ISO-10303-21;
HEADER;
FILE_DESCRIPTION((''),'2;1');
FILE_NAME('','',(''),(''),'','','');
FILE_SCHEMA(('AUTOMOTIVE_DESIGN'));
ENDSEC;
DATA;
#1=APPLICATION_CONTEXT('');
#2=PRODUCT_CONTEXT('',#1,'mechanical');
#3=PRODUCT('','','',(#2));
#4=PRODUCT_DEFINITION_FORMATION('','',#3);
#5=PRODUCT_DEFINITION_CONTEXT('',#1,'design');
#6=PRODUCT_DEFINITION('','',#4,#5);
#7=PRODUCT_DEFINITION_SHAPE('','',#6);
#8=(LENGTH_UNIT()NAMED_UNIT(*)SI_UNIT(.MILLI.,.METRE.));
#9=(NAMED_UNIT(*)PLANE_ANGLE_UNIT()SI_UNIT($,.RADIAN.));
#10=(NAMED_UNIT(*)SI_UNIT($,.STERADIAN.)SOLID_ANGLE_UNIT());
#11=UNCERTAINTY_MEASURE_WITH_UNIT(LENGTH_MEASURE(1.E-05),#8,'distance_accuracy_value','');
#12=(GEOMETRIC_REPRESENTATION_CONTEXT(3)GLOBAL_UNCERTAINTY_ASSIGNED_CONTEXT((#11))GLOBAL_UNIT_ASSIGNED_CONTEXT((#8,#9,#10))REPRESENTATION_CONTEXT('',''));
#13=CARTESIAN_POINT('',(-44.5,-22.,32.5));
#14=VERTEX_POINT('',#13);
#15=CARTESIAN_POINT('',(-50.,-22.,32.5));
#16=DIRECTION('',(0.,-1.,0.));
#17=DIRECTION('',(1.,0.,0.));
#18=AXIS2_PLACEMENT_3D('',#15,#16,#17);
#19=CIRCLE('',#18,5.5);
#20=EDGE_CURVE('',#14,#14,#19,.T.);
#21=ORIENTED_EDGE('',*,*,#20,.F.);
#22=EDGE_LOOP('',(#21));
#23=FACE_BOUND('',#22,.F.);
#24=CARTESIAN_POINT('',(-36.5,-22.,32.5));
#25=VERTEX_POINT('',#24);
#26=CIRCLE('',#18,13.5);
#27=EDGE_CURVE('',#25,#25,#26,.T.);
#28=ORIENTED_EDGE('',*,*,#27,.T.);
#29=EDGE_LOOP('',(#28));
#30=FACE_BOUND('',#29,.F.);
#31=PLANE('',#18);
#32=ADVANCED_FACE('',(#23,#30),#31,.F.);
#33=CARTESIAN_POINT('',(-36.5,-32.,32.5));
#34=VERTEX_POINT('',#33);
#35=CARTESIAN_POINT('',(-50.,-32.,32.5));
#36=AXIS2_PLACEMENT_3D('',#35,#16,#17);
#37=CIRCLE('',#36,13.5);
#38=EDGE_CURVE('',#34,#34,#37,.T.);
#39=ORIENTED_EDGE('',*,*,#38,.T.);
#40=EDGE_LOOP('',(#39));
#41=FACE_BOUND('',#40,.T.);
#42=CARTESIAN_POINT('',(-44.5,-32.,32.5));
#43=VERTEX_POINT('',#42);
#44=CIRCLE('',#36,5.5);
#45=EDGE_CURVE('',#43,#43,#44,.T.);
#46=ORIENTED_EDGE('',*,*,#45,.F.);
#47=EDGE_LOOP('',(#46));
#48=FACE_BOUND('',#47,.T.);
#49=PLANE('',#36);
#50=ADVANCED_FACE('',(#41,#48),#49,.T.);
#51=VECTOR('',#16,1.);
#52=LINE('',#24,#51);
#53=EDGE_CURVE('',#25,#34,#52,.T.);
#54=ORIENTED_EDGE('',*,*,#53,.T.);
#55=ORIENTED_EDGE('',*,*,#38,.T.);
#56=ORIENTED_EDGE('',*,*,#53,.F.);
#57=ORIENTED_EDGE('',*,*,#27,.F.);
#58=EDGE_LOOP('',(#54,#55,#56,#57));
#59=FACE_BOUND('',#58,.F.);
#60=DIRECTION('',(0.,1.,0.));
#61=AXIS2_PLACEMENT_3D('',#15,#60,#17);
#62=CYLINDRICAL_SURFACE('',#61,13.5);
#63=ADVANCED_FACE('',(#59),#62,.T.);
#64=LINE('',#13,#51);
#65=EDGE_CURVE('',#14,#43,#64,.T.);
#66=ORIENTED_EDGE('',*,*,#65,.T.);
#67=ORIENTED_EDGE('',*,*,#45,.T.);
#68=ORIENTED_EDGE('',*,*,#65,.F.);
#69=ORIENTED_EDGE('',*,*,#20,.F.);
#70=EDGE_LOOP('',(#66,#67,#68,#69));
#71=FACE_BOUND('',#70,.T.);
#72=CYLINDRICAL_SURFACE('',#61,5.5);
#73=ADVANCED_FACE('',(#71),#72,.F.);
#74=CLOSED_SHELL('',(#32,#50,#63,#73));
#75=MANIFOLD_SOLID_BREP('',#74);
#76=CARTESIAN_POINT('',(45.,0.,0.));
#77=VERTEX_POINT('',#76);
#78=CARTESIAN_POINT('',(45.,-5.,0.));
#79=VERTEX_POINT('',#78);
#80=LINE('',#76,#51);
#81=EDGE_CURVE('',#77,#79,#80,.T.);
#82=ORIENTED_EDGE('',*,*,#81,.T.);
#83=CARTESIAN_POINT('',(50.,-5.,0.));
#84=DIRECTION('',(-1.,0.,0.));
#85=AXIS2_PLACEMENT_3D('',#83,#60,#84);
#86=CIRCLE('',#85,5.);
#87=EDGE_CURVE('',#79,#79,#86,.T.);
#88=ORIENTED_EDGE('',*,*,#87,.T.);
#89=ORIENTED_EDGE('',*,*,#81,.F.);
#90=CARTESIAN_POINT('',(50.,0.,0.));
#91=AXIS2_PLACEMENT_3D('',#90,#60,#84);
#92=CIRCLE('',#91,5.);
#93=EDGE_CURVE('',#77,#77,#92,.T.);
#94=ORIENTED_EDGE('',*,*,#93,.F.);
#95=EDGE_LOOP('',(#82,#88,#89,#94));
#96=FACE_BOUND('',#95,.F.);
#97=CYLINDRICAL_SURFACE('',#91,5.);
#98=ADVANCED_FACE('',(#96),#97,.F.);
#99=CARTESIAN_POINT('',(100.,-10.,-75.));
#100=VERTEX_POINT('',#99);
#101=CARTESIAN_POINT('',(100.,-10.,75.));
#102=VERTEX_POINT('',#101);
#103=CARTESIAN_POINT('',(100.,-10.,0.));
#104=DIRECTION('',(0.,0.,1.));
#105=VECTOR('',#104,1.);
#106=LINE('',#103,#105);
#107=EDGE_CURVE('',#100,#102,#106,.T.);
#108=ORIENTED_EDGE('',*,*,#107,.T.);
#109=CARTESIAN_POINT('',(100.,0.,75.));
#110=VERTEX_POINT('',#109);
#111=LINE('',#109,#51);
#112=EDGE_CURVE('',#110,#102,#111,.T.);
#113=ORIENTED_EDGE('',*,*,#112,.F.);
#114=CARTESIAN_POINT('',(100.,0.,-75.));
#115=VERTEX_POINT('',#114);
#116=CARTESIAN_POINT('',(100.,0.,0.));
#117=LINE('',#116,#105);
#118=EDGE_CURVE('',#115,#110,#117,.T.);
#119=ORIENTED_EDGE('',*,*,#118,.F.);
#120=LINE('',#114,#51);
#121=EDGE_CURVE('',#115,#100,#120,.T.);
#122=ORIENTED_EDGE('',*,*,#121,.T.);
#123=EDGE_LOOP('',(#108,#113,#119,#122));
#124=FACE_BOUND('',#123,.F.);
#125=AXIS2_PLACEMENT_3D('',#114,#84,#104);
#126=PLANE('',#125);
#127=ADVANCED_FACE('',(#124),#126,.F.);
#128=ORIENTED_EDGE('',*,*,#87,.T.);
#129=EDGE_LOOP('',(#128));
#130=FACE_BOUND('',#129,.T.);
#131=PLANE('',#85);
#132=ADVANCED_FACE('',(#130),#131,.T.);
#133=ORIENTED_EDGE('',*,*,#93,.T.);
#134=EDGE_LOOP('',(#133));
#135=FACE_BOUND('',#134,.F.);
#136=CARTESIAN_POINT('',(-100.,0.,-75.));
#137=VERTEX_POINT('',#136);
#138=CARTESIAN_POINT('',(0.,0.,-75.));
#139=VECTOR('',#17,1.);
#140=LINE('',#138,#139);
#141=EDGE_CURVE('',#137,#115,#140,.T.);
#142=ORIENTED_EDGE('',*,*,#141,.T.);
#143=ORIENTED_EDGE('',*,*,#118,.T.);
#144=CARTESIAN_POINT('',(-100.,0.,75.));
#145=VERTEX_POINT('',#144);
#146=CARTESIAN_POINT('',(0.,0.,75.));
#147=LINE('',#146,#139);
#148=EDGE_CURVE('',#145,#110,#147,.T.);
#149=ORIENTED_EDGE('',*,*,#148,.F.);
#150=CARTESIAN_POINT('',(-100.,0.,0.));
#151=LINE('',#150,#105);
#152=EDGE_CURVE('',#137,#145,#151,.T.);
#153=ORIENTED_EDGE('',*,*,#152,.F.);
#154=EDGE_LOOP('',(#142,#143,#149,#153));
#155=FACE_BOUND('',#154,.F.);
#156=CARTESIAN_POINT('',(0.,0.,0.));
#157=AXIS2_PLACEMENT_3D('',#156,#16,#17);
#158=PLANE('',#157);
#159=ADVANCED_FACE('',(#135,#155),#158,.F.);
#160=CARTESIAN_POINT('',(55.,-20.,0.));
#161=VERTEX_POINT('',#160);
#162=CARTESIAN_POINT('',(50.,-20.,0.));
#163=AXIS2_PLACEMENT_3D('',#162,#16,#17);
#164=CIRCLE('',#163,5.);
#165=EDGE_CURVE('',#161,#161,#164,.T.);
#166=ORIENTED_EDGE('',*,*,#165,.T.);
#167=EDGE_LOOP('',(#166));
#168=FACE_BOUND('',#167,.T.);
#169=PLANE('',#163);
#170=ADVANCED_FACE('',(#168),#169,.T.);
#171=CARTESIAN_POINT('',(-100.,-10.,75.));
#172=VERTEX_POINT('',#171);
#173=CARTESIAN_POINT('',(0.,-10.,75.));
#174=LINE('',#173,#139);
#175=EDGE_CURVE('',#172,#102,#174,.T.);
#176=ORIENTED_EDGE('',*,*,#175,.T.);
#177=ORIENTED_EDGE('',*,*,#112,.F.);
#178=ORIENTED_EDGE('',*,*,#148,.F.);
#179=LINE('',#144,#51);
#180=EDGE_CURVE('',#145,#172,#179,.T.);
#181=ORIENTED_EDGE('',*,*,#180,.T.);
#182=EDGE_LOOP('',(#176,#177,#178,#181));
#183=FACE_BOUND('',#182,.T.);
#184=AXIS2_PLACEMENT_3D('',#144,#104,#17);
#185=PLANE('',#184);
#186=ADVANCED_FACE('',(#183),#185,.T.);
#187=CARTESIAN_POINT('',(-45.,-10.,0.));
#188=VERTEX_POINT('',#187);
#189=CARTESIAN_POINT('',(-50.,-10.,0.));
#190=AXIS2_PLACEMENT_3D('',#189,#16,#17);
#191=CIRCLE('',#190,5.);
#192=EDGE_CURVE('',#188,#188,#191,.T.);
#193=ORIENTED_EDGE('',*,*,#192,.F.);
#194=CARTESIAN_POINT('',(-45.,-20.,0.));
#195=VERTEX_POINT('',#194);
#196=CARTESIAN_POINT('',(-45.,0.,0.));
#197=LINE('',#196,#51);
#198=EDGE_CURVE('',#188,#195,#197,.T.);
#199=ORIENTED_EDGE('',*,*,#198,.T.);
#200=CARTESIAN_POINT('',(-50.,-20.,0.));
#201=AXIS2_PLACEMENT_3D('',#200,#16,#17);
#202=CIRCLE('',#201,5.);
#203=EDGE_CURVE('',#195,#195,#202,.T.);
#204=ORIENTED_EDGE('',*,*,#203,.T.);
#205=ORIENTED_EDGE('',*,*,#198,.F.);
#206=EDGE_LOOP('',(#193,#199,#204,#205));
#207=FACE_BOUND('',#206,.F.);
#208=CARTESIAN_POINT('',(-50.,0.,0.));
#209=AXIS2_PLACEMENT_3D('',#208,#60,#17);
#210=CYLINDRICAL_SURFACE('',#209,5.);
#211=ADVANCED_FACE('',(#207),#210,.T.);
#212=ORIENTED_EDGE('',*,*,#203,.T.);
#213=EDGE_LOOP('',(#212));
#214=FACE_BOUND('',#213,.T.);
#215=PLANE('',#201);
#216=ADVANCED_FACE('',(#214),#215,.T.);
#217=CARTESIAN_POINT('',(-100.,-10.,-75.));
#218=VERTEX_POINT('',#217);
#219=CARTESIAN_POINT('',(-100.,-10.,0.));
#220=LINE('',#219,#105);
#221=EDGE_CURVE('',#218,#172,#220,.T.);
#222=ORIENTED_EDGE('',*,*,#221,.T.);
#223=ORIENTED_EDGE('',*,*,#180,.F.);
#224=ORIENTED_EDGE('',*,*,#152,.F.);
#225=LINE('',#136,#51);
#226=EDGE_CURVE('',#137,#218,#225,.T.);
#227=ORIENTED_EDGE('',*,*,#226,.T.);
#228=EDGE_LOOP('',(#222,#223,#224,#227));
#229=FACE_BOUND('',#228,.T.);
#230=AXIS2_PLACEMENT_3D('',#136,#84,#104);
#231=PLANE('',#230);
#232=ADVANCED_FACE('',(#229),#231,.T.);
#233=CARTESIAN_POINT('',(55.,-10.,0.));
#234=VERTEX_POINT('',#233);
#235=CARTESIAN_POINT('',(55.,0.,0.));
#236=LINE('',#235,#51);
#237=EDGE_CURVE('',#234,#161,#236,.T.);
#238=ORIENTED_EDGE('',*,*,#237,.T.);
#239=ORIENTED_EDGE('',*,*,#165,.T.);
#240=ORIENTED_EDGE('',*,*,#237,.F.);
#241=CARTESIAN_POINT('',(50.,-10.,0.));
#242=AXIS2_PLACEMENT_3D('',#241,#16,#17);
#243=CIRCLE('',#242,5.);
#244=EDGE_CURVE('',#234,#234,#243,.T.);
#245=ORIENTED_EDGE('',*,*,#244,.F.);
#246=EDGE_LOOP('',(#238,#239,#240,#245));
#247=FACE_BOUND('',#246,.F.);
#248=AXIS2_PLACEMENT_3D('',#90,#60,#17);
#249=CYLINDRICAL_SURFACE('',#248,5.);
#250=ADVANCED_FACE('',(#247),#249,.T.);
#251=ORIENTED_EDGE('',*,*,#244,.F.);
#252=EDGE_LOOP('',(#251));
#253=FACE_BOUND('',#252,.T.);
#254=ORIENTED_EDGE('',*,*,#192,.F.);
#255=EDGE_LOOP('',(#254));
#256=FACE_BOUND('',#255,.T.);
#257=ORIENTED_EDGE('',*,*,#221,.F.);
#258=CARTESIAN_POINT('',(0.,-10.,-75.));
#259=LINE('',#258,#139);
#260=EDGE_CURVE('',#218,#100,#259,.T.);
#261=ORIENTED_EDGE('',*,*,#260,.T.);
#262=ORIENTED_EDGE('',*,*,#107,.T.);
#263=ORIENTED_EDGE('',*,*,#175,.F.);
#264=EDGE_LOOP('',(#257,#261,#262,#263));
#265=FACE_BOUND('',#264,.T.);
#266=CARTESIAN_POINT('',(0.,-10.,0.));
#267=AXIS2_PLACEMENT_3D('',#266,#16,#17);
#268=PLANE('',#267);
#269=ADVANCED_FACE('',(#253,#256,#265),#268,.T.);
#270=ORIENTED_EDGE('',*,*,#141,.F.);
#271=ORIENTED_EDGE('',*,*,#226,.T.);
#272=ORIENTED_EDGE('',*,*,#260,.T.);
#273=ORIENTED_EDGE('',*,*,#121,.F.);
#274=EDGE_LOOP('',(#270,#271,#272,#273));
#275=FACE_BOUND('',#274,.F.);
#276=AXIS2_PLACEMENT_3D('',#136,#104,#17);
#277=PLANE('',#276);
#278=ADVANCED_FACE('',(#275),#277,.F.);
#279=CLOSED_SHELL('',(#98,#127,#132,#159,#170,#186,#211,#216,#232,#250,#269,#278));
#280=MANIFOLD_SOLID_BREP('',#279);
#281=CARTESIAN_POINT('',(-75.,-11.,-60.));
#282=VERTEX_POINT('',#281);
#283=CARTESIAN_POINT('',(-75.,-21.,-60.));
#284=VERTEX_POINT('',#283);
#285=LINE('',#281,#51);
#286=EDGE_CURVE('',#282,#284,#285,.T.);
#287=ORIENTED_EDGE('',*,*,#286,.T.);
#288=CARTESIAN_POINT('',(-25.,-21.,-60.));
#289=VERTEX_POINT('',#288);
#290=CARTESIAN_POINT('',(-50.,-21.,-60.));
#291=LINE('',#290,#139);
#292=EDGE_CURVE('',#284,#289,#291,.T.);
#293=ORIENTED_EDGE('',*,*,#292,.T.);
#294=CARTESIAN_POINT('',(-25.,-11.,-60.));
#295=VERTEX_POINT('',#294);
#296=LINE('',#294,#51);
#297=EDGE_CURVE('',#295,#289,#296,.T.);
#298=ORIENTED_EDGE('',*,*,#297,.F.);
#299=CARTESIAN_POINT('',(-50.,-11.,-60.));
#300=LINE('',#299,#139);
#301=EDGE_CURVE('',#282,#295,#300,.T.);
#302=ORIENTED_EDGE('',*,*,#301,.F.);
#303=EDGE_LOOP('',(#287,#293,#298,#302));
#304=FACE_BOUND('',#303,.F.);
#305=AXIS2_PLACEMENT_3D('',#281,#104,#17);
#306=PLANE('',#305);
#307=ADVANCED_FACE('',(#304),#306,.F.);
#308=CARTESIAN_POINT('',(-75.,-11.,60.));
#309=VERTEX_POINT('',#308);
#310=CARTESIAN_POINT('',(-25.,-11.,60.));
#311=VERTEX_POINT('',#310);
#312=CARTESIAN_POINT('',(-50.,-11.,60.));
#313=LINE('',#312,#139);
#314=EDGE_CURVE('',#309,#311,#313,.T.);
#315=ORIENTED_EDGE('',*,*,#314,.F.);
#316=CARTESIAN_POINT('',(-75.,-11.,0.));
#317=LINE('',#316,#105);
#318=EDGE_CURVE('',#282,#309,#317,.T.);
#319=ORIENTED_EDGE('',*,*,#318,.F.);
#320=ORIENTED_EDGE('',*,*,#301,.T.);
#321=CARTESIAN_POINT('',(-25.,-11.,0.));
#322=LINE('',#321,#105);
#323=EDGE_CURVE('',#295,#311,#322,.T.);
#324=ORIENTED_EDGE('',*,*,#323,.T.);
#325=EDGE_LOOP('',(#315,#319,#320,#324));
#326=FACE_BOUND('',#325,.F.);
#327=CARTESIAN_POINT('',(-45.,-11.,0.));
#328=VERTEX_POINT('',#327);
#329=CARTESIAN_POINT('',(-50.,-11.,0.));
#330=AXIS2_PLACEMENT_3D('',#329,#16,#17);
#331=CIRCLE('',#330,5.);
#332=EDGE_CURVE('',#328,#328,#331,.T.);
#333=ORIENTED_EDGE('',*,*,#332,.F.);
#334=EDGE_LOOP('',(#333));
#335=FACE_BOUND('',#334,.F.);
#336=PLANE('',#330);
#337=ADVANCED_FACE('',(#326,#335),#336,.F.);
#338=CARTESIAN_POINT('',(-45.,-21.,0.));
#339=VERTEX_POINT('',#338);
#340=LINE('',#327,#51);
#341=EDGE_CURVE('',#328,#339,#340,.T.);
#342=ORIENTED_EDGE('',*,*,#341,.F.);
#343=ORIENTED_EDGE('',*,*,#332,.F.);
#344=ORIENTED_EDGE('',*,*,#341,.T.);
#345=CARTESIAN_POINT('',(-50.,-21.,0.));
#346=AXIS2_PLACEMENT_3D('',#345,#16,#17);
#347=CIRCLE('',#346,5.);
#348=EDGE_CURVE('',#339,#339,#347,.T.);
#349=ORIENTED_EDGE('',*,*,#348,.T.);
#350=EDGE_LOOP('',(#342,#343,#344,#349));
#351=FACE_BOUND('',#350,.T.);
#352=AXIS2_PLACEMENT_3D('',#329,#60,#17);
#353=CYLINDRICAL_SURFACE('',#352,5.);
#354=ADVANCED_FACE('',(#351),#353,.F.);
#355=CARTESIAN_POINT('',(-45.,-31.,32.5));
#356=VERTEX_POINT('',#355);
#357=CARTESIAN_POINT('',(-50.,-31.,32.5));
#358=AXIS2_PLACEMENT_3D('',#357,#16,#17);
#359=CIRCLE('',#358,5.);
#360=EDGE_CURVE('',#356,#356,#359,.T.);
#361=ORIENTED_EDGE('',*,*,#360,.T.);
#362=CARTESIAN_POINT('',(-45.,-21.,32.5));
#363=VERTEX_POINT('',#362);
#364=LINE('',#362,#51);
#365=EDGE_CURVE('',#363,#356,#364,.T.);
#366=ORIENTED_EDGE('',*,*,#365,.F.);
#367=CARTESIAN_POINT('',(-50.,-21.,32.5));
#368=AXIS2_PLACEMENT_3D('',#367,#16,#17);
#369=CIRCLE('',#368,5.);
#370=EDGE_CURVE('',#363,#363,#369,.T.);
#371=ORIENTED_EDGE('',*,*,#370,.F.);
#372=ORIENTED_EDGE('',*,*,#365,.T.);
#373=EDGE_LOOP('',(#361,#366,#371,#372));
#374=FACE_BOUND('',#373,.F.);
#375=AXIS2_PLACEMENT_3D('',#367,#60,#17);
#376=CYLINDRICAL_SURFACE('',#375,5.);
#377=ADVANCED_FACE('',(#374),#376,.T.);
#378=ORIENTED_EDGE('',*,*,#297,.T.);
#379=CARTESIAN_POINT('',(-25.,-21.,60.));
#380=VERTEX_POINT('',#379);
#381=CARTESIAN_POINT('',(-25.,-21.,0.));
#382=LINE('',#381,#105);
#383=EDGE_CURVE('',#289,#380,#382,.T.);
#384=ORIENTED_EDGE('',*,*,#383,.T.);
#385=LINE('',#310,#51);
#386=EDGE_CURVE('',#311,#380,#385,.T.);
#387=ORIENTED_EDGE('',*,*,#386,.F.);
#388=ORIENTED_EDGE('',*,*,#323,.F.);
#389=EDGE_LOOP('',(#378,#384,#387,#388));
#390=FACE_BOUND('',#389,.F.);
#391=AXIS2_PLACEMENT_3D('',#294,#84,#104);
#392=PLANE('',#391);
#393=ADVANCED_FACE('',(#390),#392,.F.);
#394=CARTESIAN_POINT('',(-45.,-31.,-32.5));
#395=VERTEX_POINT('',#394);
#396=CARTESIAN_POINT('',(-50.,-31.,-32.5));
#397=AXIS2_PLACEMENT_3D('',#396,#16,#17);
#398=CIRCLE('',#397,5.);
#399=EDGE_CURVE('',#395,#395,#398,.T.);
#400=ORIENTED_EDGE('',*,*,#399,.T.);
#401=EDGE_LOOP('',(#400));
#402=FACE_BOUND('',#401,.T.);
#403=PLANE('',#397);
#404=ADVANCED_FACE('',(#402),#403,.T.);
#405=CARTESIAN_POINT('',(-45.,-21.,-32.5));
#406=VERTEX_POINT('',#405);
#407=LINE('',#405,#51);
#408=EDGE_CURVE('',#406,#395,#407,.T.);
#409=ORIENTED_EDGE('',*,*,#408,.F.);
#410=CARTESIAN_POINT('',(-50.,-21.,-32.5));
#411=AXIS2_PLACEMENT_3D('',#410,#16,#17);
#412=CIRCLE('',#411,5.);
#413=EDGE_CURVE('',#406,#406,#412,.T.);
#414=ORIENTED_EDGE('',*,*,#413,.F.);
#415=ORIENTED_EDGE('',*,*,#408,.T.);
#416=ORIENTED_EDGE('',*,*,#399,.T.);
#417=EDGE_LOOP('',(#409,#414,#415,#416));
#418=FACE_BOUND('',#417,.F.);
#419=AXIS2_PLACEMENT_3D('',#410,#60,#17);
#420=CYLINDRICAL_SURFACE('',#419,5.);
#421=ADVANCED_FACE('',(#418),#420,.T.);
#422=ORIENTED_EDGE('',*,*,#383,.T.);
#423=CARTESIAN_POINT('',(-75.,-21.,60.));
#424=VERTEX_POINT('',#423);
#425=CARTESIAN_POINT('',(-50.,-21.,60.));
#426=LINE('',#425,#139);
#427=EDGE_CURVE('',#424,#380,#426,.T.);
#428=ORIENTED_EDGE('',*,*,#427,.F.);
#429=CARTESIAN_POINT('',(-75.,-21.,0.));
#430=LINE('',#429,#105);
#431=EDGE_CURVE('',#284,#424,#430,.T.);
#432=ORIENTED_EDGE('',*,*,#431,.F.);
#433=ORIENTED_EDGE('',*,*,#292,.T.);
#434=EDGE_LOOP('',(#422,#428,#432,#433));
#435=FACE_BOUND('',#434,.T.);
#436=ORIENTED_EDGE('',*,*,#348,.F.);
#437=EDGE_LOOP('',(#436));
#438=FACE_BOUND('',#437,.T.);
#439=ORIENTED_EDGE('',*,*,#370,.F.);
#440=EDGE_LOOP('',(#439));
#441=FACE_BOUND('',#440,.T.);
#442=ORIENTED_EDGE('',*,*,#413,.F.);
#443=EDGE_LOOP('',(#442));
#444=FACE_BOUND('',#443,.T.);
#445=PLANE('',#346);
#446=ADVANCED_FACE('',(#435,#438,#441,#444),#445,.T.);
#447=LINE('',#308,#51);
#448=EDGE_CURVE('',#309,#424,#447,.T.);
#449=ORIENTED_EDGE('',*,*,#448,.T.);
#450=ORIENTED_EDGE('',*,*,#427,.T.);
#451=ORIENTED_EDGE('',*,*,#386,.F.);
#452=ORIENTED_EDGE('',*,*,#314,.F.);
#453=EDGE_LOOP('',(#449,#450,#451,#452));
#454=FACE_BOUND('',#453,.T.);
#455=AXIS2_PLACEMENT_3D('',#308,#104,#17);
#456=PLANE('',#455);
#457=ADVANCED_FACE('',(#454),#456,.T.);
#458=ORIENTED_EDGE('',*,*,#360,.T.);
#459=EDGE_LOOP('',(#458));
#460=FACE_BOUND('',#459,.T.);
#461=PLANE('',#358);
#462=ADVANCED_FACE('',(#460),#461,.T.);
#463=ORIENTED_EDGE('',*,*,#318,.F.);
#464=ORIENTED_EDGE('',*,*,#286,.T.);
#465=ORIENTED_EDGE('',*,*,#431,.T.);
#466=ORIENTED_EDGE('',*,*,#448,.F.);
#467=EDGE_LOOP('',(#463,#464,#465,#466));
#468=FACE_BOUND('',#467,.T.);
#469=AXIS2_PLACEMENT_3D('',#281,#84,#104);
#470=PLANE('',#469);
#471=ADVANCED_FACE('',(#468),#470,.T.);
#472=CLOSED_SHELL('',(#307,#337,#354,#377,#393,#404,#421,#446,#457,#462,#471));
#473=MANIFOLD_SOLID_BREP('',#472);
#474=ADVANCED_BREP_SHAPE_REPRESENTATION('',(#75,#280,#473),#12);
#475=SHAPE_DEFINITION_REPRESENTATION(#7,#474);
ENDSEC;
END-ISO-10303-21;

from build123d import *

# Parameters (mm, degrees)
F0_W      = 200
F0_H      = 150
F0_R      = 5
F1_DEPTH  = 10
F2_DEPTH  = 20
F5_W      = 50
F5_H      = 120
F5_R      = 5
F6_DEPTH  = 10
F9_R      = 5
F10_DEPTH = 5
F8_R      = 13.5
F8_R_2    = 5.5
F11_DEPTH = 10
F12_R     = 5
F13_DEPTH = 10


with BuildPart() as f1:
    # F0 (on Front) → F1 (new body)
    with BuildSketch(Plane.XZ):
        Rectangle(F0_W, F0_H)
        with Locations((-50, -38)):
            Circle(F0_R, mode=Mode.SUBTRACT)
        with Locations((-50, 0)):
            Circle(F0_R, mode=Mode.SUBTRACT)
        with Locations((-50, 38)):
            Circle(F0_R, mode=Mode.SUBTRACT)
        with Locations((50, 0)):
            Circle(F0_R, mode=Mode.SUBTRACT)
        with Locations((-50, 38)):
            Circle(F0_R)
        with Locations((-50, -38)):
            Circle(F0_R)
    extrude(amount=F1_DEPTH)

    # F0 (on Front) → F2 (join)
    with BuildSketch(Plane.XZ):
        with Locations((-50, 0)):
            Circle(F0_R)
        with Locations((50, 0)):
            Circle(F0_R)
    extrude(amount=F2_DEPTH)

    # F9 (on face) → F10 (cut)
    with BuildSketch(Plane(origin=(0, 0, 0), x_dir=(-1, 0, 0), z_dir=(0, 1, 0))):
        with Locations((-50, 0)):
            Circle(F9_R)
    extrude(amount=-F10_DEPTH, mode=Mode.SUBTRACT)


with BuildPart() as f6:
    # F5 (on offset) → F6 (new body)
    with BuildSketch(Plane.XZ.offset(11)):
        with Locations((-50, 0)):
            Rectangle(F5_W, F5_H)
        with Locations((-50, -38)):
            Circle(F5_R, mode=Mode.SUBTRACT)
        with Locations((-50, 0)):
            Circle(F5_R, mode=Mode.SUBTRACT)
        with Locations((-50, 38)):
            Circle(F5_R, mode=Mode.SUBTRACT)
        with Locations((-50, 38)):
            Circle(F5_R)
        with Locations((-50, -38)):
            Circle(F5_R)
    extrude(amount=F6_DEPTH)

    # F12 (on face) → F13 (join)
    with BuildSketch(Plane.XZ.offset(21)):
        with Locations((-50, 32.5)):
            Circle(F12_R)
        with Locations((-50, -32.5)):
            Circle(F12_R)
    extrude(amount=F13_DEPTH)


with BuildPart() as f11:
    # F8 (on offset) → F11 (new body)
    with BuildSketch(Plane.XZ.offset(22)):
        with Locations((-50, 32.5)):
            Circle(F8_R)
        with Locations((-50, 32.5)):
            Circle(F8_R_2, mode=Mode.SUBTRACT)
    extrude(amount=F11_DEPTH)


solid = Compound([f1.part, f6.part, f11.part])
